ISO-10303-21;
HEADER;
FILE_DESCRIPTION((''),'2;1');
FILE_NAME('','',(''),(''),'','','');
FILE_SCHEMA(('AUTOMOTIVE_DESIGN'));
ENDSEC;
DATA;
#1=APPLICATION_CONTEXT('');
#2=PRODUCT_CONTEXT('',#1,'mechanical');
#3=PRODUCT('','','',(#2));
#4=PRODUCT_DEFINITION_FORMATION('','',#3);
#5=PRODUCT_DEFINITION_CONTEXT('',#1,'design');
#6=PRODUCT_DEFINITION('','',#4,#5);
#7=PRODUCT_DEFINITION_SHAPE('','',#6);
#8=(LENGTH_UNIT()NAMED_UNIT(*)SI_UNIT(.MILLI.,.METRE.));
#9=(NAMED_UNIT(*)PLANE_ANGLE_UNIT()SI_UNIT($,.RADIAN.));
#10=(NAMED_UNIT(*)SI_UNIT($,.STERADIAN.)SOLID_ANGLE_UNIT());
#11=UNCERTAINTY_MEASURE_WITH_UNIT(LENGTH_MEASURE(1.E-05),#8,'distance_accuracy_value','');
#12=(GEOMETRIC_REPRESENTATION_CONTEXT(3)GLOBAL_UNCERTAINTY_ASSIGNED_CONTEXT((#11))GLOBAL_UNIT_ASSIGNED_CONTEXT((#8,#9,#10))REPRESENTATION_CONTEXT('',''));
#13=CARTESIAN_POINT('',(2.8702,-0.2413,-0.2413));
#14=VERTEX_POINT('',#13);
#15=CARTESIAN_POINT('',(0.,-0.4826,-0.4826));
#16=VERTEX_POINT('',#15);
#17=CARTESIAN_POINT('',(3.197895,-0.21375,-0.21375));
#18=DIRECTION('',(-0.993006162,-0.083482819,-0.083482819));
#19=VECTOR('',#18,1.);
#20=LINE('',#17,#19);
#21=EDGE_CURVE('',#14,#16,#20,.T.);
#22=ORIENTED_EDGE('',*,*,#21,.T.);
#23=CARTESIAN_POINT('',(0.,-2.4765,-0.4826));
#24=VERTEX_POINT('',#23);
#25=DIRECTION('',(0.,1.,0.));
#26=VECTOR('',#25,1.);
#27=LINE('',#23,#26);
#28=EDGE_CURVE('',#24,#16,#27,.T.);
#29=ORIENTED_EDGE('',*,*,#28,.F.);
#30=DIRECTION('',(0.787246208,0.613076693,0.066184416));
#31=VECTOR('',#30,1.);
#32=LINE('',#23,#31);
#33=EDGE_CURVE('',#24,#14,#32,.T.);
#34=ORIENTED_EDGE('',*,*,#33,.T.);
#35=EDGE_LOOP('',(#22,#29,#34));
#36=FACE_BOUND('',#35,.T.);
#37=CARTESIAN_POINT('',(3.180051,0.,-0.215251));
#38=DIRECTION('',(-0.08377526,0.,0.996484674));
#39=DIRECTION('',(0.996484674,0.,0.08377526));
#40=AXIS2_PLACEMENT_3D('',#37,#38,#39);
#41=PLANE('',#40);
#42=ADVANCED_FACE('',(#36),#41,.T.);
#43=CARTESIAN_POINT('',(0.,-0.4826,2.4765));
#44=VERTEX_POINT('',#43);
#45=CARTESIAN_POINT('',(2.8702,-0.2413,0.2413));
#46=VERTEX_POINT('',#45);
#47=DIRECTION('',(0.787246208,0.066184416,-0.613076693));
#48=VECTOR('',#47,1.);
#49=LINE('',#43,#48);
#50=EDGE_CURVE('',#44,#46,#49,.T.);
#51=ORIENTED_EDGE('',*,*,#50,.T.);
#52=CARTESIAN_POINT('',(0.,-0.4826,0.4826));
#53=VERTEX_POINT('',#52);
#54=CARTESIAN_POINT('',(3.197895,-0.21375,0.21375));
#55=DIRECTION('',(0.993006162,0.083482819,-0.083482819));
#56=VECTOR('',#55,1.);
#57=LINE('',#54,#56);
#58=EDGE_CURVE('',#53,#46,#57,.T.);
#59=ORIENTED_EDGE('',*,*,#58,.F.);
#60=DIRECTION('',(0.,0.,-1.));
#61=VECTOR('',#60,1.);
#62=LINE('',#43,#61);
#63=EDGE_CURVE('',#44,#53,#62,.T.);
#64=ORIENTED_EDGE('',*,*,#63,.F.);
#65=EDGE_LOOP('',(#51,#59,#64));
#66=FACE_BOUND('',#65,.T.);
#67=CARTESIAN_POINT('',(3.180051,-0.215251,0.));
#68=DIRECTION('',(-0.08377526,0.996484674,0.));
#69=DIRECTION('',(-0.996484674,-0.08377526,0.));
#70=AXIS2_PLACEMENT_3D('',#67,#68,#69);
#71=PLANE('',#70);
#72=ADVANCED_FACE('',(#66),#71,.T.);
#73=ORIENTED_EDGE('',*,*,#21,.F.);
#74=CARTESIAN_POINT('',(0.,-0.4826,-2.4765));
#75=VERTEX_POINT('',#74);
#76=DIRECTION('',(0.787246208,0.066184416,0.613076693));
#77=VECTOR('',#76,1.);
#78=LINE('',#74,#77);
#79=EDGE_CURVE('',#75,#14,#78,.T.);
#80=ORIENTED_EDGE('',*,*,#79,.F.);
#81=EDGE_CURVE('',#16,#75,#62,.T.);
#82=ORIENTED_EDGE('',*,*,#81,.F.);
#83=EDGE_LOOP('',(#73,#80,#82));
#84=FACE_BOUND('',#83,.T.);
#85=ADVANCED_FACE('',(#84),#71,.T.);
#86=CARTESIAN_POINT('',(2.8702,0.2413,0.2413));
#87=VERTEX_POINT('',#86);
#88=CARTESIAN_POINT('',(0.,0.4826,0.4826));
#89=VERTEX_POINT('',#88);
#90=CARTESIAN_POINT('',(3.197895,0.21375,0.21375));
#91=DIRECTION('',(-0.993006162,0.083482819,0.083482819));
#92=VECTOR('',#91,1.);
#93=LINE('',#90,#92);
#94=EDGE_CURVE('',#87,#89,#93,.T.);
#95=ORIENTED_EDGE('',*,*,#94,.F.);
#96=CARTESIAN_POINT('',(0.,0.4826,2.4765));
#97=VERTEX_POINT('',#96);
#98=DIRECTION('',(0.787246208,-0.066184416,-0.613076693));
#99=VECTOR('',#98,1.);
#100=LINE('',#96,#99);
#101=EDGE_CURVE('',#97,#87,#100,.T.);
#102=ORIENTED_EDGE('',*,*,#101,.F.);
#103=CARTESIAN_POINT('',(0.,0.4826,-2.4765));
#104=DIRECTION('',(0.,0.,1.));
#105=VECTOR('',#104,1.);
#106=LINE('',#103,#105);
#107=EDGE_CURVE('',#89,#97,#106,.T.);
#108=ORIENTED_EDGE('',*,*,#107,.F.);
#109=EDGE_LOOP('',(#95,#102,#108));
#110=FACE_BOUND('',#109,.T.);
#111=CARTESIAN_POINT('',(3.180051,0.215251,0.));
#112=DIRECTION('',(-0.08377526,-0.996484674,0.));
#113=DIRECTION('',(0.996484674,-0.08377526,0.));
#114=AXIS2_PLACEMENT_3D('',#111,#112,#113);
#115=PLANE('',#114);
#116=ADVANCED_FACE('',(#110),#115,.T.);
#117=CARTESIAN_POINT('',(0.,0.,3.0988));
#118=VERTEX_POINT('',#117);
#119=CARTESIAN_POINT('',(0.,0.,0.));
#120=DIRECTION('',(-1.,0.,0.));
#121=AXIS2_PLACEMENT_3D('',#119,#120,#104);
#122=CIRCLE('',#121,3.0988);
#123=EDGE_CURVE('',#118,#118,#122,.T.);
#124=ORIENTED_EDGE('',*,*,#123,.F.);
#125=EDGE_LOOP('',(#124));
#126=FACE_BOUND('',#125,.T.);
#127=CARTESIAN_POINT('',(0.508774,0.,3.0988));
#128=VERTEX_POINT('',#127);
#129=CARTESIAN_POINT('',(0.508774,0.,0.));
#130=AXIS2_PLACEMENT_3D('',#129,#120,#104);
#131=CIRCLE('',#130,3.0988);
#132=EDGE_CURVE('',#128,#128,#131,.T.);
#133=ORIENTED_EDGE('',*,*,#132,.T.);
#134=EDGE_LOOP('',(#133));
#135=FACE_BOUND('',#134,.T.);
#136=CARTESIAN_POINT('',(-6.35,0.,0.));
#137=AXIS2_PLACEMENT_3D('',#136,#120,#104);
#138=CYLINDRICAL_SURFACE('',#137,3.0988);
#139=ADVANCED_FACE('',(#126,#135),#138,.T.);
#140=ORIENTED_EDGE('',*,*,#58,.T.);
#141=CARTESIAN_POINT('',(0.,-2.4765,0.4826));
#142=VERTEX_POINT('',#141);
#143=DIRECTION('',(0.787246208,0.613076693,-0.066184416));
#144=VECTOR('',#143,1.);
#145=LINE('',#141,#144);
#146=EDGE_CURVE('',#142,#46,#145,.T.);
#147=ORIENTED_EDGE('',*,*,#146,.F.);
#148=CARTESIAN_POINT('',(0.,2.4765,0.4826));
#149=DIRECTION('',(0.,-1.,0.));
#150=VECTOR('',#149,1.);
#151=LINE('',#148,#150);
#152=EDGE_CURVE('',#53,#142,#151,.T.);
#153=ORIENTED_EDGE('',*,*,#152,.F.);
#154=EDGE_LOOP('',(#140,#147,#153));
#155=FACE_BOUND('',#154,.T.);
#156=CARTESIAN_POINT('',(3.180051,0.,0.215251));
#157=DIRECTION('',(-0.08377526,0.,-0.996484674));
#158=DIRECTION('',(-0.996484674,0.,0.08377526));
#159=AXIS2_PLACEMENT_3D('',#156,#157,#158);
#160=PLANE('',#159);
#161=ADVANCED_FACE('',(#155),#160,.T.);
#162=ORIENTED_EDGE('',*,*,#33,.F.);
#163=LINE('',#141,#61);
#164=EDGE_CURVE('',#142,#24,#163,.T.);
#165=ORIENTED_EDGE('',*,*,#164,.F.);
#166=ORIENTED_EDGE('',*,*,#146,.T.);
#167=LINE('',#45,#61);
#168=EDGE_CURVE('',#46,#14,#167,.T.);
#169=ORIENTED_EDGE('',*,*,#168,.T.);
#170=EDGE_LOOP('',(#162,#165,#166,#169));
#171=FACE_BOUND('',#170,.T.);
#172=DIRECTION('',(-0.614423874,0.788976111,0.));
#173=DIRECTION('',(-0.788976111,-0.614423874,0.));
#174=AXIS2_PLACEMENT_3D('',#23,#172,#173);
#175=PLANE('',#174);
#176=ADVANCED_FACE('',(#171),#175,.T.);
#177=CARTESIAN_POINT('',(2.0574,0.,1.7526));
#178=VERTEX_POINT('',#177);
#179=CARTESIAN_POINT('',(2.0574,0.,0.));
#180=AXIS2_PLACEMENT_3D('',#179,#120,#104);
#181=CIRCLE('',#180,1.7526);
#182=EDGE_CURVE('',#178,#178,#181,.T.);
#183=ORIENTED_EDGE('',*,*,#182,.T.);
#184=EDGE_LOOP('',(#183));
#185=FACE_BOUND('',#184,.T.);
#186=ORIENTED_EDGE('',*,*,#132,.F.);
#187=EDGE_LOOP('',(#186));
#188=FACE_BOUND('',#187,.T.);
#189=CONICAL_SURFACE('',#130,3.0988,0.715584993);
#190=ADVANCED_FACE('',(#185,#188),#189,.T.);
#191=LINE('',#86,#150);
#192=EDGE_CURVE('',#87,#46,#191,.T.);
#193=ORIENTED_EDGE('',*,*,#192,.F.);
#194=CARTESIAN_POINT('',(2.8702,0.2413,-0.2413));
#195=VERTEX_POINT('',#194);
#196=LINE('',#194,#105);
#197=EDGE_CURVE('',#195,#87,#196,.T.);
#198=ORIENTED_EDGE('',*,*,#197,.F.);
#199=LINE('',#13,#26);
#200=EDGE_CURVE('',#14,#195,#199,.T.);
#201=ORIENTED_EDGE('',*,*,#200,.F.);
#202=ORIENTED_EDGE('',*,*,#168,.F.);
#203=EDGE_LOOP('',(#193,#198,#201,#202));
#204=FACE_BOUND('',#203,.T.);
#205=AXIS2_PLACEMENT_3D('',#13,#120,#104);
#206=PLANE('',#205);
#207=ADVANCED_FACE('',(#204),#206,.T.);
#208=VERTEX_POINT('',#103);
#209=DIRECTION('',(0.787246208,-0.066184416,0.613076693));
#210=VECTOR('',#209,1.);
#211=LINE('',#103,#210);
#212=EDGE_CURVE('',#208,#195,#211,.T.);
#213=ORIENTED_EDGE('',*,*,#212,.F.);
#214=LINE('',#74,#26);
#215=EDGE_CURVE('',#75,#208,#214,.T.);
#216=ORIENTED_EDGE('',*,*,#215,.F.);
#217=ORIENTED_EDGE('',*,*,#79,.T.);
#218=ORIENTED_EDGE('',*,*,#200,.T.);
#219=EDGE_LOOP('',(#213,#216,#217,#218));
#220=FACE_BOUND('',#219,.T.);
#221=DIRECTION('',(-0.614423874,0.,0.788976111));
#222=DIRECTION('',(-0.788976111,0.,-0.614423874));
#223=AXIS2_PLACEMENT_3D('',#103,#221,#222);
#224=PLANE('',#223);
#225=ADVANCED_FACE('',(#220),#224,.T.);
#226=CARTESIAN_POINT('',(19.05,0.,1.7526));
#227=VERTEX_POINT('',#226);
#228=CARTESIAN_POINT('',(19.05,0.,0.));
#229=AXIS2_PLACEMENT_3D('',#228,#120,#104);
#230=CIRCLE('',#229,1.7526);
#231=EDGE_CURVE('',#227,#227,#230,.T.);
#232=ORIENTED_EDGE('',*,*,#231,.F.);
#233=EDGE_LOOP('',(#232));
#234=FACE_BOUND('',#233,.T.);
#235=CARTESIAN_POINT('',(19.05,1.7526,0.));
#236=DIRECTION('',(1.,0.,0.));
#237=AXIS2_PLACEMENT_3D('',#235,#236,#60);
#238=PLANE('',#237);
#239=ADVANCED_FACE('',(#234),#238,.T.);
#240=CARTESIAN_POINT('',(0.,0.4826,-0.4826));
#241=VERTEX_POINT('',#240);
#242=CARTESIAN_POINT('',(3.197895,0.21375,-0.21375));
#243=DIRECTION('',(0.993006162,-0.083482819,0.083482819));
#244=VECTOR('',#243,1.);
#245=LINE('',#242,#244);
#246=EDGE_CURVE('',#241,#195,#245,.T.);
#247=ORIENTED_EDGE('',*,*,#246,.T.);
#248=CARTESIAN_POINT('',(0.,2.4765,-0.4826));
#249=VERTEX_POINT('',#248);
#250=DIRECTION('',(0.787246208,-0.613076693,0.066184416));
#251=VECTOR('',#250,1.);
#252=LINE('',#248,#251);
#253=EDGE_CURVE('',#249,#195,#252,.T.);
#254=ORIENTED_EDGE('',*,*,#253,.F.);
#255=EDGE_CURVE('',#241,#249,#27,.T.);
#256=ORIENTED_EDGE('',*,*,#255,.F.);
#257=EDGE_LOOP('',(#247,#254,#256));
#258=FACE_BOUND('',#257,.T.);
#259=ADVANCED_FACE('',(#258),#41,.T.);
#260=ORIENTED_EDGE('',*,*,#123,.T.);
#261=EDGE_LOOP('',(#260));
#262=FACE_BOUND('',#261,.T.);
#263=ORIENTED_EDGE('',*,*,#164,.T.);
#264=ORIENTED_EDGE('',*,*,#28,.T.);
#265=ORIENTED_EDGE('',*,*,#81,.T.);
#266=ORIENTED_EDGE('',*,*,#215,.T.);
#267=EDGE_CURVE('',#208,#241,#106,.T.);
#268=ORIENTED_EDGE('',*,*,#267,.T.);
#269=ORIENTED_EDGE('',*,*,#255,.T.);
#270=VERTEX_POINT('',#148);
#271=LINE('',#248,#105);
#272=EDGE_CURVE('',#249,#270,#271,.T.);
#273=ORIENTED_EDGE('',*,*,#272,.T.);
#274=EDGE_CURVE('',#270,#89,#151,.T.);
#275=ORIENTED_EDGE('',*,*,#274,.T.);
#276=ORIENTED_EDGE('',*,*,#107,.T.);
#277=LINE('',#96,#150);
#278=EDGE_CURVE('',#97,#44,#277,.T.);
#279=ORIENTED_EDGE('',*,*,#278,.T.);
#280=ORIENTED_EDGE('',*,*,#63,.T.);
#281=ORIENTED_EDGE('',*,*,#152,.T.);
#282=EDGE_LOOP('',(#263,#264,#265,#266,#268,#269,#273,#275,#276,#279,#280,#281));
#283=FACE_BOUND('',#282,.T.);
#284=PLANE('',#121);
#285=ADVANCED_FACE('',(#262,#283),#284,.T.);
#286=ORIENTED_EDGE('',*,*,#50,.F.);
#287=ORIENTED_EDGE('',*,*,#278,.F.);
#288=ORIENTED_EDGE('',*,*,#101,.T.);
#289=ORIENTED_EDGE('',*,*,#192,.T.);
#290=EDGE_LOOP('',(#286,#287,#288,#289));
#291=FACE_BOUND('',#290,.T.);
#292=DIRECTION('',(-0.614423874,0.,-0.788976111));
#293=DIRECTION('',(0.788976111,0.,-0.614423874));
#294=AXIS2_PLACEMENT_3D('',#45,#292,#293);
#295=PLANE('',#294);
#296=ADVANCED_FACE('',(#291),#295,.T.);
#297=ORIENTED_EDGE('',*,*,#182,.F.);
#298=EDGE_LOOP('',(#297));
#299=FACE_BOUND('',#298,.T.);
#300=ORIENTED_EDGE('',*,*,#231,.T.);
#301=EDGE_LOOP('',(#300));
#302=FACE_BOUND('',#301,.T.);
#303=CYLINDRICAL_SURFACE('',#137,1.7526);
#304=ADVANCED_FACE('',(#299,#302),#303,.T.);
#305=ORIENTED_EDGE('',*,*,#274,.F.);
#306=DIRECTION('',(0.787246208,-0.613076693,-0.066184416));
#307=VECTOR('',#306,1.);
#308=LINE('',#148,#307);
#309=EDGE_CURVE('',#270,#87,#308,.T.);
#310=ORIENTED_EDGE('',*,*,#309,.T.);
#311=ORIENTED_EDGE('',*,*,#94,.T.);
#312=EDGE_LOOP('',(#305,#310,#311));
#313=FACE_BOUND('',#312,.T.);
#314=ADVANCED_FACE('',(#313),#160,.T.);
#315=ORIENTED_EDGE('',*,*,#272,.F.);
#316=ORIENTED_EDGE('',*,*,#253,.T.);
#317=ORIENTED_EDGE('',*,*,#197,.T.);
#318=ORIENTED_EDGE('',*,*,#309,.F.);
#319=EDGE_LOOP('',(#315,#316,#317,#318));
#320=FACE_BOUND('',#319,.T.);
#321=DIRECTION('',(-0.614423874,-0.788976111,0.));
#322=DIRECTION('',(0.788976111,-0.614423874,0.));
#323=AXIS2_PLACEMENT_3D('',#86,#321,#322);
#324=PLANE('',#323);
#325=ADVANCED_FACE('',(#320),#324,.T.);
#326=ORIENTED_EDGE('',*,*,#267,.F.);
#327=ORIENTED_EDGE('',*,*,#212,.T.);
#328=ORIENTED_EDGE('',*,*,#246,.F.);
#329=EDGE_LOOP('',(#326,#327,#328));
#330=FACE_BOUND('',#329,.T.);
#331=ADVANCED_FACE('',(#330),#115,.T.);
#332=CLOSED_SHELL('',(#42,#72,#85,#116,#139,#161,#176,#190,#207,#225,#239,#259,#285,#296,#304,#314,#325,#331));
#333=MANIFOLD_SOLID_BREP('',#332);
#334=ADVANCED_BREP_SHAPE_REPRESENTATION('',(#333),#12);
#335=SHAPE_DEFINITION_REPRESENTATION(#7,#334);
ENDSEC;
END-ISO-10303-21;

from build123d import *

# Parameters (mm, degrees)
CIRPATTERN1_COUNT = 2
CIRPATTERN1_ANGLE = 90


with BuildPart() as part:
    # BodySke → Base-Revolve (revolve)
    with BuildSketch(Plane.XY, mode=Mode.PRIVATE) as base_revolve_sk:
        Polygon((0, 0), (0, 3.0988), (0.50877405, 3.0988), (2.0574, 1.7526), (19.05, 1.7526), (19.05, 0), align=None)
    revolve(base_revolve_sk.sketch.rotate(Axis((-6.35, 0, 0), (1, 0, 0)), 90), axis=Axis((-6.35, 0, 0), (1, 0, 0)))

    # Sketch3 → Cross section 0
    with BuildSketch(Plane.ZY):
        with BuildLine():
            Line((-0.4826, 2.4765), (0.4826, 2.4765))
            Line((0.4826, 2.4765), (0.4826, -2.4765))
            Line((0.4826, -2.4765), (-0.4826, -2.4765))
            Line((-0.4826, -2.4765), (-0.4826, 2.4765))
        make_face()
    # Sketch4 → Cross section 1
    with BuildSketch(Plane.ZY.offset(-2.8702)):
        with BuildLine():
            Line((-0.2413, 0.2413), (0.2413, 0.2413))
            Line((0.2413, 0.2413), (0.2413, -0.2413))
            Line((0.2413, -0.2413), (-0.2413, -0.2413))
            Line((-0.2413, -0.2413), (-0.2413, 0.2413))
        make_face()
    cross = loft(mode=Mode.SUBTRACT)

    # CirPattern1: Cross ×2 about axis
    cirpattern1_axis = Axis((0, 0, 0), (1, 0, 0))
    for i in range(1, CIRPATTERN1_COUNT):
        add(cross.rotate(cirpattern1_axis, i * CIRPATTERN1_ANGLE / (CIRPATTERN1_COUNT - 1)), mode=Mode.SUBTRACT)


solid = part.part
